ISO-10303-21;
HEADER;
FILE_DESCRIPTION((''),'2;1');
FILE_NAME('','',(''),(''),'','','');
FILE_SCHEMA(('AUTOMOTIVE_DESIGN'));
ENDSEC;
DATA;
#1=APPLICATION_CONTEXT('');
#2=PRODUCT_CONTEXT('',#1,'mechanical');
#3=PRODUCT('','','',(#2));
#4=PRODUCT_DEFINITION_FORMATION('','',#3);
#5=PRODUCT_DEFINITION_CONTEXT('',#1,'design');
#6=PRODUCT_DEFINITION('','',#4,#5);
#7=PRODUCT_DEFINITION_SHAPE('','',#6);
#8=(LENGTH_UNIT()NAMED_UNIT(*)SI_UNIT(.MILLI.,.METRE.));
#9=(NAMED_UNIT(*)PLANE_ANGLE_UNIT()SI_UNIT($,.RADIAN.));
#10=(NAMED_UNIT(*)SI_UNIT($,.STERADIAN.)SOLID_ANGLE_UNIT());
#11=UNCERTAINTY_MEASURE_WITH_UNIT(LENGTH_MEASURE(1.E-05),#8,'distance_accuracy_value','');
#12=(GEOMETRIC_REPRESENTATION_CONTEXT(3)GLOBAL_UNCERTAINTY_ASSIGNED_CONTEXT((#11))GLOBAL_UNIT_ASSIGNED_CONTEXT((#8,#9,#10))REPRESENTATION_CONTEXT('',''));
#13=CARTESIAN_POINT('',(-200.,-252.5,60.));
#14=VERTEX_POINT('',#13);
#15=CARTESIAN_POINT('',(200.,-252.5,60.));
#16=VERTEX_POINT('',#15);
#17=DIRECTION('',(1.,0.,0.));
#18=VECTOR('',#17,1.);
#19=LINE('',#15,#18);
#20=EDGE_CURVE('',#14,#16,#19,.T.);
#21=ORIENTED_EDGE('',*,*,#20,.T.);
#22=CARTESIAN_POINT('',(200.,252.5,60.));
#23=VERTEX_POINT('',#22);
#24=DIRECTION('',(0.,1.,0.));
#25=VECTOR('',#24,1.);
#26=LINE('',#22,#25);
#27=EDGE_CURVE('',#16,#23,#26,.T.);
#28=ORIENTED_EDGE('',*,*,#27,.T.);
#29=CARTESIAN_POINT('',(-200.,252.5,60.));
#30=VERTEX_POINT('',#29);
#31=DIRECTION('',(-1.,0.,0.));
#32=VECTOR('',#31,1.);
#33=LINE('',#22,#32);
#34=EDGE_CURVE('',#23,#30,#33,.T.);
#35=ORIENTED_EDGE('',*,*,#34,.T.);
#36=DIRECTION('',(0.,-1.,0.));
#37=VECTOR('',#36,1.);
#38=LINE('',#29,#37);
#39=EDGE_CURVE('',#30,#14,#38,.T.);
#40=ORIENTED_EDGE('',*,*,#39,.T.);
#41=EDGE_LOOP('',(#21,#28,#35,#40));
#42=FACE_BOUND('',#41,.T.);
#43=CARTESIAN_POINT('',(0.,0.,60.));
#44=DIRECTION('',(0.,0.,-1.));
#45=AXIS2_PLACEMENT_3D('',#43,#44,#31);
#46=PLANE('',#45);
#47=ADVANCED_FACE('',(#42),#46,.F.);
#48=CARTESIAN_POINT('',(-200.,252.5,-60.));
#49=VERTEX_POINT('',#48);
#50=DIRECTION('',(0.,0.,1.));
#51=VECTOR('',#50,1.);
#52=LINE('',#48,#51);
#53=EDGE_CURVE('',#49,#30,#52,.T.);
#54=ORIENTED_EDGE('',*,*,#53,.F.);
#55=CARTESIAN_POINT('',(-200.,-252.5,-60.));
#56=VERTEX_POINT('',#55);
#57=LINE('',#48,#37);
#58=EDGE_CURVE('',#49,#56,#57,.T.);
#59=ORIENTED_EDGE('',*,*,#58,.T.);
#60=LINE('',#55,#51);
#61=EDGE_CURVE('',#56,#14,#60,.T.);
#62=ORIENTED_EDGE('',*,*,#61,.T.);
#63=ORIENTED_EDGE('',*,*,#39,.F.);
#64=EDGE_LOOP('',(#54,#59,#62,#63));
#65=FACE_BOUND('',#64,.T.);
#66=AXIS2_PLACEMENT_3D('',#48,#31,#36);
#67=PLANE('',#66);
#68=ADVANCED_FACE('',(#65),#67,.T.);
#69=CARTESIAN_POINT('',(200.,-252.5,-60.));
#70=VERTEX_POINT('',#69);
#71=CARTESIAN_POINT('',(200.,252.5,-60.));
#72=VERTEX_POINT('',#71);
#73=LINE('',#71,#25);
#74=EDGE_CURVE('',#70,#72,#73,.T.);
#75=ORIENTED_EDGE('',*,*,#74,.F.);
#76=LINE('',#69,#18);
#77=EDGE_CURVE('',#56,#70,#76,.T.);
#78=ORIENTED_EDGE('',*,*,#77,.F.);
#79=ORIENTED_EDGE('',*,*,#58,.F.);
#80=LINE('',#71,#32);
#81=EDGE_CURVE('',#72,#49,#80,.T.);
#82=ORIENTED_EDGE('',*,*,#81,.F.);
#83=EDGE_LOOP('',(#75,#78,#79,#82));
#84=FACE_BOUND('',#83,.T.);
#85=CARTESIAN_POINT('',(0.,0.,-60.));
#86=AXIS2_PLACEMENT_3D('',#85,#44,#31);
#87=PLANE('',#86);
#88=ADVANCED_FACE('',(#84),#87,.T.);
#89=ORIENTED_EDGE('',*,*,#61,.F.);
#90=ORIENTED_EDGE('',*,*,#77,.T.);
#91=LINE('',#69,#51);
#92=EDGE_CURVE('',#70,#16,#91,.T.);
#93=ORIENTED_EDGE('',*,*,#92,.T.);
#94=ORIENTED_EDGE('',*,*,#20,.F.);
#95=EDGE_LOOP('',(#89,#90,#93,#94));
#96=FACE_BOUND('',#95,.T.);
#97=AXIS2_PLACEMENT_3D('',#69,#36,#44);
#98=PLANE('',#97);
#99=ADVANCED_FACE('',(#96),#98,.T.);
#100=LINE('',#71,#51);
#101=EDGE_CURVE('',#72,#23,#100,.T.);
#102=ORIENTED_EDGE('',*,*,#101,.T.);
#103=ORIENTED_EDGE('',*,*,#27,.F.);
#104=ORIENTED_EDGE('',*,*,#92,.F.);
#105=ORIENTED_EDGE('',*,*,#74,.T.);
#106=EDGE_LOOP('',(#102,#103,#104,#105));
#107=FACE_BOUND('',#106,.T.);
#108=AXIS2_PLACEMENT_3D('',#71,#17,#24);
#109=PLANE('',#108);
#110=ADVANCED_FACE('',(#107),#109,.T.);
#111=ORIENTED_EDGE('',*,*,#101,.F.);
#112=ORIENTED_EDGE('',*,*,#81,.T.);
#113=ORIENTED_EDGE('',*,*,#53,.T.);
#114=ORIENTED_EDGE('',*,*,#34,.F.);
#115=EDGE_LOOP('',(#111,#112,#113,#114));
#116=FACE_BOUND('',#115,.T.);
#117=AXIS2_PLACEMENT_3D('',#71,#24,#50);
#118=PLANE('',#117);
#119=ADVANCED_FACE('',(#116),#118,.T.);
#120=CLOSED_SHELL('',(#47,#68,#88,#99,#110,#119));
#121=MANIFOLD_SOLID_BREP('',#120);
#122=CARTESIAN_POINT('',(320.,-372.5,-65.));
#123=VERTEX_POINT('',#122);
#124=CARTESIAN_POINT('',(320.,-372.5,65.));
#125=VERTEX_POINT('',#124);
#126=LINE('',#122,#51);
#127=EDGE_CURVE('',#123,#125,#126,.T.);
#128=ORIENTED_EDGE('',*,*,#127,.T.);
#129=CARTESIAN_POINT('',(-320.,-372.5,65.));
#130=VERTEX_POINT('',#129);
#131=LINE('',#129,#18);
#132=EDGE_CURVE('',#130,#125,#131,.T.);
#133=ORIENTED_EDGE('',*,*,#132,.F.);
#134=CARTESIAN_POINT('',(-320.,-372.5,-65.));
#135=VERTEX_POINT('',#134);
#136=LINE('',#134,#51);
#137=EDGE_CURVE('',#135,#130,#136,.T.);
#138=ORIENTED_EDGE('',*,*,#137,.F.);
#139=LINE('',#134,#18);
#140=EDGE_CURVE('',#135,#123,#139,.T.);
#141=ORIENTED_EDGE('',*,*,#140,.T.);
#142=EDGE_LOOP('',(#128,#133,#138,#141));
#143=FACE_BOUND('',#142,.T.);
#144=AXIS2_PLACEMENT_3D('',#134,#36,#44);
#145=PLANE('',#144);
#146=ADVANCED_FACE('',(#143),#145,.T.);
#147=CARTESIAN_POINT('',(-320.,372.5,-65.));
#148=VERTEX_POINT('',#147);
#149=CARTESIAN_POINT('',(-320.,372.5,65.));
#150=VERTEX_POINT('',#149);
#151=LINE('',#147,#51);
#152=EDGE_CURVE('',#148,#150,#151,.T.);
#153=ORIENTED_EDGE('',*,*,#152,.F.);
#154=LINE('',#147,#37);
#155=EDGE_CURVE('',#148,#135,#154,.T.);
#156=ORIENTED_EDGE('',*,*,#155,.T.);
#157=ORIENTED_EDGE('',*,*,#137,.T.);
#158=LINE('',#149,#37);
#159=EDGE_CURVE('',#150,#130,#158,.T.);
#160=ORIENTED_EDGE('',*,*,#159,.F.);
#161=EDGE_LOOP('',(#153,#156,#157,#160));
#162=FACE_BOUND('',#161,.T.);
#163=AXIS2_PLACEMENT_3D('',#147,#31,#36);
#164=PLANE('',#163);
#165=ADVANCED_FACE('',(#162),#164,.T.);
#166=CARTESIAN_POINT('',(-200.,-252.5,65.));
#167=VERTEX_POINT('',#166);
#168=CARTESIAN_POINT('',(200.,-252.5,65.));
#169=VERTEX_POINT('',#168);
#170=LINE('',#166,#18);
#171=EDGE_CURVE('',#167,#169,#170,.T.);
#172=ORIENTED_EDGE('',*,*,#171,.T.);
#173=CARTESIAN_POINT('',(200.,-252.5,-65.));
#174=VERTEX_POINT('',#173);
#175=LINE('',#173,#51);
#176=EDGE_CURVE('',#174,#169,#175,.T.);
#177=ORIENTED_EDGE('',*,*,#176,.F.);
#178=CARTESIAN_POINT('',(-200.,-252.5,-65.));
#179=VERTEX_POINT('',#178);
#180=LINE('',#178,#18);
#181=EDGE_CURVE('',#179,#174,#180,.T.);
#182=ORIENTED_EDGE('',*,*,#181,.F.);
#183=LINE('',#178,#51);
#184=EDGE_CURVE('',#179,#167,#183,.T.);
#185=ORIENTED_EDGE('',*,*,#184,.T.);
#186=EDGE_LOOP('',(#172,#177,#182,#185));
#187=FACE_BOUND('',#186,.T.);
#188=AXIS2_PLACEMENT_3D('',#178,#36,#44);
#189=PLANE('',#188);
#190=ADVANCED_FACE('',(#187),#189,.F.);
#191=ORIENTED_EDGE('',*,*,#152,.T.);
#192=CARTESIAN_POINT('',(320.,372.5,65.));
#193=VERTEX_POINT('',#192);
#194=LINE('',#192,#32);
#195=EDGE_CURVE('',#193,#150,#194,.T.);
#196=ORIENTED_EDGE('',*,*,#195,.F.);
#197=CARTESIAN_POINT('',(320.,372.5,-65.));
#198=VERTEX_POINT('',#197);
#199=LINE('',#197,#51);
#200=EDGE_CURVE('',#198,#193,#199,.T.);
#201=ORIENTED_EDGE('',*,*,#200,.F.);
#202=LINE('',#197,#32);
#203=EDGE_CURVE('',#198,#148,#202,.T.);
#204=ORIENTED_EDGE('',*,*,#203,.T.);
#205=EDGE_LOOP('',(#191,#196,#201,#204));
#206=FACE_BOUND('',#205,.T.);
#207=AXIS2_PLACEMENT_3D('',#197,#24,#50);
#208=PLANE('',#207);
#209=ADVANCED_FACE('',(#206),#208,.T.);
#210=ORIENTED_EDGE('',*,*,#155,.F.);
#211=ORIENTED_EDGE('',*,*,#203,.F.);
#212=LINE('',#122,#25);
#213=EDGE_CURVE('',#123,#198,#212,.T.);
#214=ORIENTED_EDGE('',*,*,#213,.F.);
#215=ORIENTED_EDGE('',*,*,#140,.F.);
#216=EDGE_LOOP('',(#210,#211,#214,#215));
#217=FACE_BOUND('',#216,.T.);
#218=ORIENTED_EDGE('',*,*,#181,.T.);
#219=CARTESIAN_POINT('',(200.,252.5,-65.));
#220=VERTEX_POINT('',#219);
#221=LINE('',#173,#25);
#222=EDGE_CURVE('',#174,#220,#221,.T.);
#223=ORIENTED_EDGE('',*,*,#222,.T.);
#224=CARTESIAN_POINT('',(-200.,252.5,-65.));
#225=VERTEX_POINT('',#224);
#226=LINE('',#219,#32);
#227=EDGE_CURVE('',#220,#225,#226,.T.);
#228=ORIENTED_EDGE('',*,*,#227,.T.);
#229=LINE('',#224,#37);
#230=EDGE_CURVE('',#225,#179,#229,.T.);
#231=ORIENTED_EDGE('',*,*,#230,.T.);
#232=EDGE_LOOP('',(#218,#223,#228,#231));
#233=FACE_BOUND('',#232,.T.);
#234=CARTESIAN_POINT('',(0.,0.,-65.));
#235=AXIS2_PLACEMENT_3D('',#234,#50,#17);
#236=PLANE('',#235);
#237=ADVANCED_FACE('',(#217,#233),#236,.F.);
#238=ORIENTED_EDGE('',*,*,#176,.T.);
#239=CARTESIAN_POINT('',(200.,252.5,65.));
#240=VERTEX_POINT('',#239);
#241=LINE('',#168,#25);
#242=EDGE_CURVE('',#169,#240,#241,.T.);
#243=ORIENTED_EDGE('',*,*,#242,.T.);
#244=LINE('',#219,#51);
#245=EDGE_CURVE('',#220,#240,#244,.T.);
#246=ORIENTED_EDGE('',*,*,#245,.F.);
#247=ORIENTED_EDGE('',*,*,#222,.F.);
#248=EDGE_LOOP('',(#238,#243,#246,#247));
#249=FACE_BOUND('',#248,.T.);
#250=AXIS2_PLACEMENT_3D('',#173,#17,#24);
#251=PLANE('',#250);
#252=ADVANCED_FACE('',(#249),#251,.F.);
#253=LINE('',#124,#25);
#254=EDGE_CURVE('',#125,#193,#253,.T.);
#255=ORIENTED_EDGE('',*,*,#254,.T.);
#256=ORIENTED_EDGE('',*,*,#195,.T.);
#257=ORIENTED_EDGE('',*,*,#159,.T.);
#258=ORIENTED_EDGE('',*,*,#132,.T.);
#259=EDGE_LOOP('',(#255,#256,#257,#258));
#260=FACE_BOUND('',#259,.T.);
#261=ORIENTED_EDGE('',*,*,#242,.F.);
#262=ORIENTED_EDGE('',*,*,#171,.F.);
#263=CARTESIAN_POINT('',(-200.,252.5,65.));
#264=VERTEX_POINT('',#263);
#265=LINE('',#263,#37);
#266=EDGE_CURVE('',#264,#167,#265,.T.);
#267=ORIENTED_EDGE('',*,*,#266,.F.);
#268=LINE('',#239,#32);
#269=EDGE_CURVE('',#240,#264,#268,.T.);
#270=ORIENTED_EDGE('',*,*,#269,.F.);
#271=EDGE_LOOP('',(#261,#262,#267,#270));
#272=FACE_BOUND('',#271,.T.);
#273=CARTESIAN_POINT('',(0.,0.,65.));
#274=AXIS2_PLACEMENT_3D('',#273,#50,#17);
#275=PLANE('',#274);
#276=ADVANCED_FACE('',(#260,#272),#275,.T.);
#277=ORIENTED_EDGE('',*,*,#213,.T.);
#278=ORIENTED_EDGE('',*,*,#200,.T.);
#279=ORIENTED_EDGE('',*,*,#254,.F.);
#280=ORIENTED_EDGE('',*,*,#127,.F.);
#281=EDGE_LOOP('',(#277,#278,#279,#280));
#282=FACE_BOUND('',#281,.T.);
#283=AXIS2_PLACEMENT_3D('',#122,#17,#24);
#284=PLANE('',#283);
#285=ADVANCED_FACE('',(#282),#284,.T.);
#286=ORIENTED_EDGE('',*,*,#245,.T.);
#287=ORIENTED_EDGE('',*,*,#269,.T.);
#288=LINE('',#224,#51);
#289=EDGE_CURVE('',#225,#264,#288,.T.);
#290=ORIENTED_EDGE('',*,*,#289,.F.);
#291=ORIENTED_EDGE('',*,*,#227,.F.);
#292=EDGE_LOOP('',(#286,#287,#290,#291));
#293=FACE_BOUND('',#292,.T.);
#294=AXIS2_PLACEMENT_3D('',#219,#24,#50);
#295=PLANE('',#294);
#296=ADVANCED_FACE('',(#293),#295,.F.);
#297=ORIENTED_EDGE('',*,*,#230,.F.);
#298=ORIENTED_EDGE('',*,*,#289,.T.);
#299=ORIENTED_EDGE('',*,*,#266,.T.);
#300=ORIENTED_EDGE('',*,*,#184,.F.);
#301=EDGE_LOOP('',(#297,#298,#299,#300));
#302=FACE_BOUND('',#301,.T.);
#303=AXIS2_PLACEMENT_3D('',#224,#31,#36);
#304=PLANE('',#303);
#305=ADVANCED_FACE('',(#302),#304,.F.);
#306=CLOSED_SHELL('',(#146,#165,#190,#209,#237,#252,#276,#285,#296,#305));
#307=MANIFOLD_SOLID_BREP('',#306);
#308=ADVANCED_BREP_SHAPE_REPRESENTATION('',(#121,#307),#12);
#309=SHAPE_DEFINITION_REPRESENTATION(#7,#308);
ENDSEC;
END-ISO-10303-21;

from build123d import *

# Parameters (mm, degrees)
RESSALTO_EXTRUS_O1_DEPTH      = 60
RESSALTO_EXTRUS_O1_DEPTH_BACK = 60
ESBO_O1_W                     = 400
ESBO_O1_H                     = 505
RESSALTO_EXTRUS_O2_DEPTH      = 65
RESSALTO_EXTRUS_O2_DEPTH_BACK = 65
ESBO_O2_W                     = 640
ESBO_O2_H                     = 745
ESBO_O2_W_2                   = 400
ESBO_O2_H_2                   = 505


with BuildPart() as part:
    # Esboço1 → Ressalto-extrusão1 (new, two sides: drawn at the far end of the back side and taken through both)
    with BuildSketch(Plane.XY.offset(-RESSALTO_EXTRUS_O1_DEPTH_BACK)):
        Rectangle(ESBO_O1_W, ESBO_O1_H)
    extrude(amount=RESSALTO_EXTRUS_O1_DEPTH + RESSALTO_EXTRUS_O1_DEPTH_BACK)


with BuildPart() as body_2:
    # Esboço2 → Ressalto-extrusão2 (new, two sides: drawn at the far end of the back side and taken through both)
    with BuildSketch(Plane.XY.offset(-RESSALTO_EXTRUS_O2_DEPTH_BACK)):
        Rectangle(ESBO_O2_W, ESBO_O2_H)
        Rectangle(ESBO_O2_W_2, ESBO_O2_H_2, mode=Mode.SUBTRACT)
    extrude(amount=RESSALTO_EXTRUS_O2_DEPTH + RESSALTO_EXTRUS_O2_DEPTH_BACK)


solid = Compound([part.part, body_2.part])
